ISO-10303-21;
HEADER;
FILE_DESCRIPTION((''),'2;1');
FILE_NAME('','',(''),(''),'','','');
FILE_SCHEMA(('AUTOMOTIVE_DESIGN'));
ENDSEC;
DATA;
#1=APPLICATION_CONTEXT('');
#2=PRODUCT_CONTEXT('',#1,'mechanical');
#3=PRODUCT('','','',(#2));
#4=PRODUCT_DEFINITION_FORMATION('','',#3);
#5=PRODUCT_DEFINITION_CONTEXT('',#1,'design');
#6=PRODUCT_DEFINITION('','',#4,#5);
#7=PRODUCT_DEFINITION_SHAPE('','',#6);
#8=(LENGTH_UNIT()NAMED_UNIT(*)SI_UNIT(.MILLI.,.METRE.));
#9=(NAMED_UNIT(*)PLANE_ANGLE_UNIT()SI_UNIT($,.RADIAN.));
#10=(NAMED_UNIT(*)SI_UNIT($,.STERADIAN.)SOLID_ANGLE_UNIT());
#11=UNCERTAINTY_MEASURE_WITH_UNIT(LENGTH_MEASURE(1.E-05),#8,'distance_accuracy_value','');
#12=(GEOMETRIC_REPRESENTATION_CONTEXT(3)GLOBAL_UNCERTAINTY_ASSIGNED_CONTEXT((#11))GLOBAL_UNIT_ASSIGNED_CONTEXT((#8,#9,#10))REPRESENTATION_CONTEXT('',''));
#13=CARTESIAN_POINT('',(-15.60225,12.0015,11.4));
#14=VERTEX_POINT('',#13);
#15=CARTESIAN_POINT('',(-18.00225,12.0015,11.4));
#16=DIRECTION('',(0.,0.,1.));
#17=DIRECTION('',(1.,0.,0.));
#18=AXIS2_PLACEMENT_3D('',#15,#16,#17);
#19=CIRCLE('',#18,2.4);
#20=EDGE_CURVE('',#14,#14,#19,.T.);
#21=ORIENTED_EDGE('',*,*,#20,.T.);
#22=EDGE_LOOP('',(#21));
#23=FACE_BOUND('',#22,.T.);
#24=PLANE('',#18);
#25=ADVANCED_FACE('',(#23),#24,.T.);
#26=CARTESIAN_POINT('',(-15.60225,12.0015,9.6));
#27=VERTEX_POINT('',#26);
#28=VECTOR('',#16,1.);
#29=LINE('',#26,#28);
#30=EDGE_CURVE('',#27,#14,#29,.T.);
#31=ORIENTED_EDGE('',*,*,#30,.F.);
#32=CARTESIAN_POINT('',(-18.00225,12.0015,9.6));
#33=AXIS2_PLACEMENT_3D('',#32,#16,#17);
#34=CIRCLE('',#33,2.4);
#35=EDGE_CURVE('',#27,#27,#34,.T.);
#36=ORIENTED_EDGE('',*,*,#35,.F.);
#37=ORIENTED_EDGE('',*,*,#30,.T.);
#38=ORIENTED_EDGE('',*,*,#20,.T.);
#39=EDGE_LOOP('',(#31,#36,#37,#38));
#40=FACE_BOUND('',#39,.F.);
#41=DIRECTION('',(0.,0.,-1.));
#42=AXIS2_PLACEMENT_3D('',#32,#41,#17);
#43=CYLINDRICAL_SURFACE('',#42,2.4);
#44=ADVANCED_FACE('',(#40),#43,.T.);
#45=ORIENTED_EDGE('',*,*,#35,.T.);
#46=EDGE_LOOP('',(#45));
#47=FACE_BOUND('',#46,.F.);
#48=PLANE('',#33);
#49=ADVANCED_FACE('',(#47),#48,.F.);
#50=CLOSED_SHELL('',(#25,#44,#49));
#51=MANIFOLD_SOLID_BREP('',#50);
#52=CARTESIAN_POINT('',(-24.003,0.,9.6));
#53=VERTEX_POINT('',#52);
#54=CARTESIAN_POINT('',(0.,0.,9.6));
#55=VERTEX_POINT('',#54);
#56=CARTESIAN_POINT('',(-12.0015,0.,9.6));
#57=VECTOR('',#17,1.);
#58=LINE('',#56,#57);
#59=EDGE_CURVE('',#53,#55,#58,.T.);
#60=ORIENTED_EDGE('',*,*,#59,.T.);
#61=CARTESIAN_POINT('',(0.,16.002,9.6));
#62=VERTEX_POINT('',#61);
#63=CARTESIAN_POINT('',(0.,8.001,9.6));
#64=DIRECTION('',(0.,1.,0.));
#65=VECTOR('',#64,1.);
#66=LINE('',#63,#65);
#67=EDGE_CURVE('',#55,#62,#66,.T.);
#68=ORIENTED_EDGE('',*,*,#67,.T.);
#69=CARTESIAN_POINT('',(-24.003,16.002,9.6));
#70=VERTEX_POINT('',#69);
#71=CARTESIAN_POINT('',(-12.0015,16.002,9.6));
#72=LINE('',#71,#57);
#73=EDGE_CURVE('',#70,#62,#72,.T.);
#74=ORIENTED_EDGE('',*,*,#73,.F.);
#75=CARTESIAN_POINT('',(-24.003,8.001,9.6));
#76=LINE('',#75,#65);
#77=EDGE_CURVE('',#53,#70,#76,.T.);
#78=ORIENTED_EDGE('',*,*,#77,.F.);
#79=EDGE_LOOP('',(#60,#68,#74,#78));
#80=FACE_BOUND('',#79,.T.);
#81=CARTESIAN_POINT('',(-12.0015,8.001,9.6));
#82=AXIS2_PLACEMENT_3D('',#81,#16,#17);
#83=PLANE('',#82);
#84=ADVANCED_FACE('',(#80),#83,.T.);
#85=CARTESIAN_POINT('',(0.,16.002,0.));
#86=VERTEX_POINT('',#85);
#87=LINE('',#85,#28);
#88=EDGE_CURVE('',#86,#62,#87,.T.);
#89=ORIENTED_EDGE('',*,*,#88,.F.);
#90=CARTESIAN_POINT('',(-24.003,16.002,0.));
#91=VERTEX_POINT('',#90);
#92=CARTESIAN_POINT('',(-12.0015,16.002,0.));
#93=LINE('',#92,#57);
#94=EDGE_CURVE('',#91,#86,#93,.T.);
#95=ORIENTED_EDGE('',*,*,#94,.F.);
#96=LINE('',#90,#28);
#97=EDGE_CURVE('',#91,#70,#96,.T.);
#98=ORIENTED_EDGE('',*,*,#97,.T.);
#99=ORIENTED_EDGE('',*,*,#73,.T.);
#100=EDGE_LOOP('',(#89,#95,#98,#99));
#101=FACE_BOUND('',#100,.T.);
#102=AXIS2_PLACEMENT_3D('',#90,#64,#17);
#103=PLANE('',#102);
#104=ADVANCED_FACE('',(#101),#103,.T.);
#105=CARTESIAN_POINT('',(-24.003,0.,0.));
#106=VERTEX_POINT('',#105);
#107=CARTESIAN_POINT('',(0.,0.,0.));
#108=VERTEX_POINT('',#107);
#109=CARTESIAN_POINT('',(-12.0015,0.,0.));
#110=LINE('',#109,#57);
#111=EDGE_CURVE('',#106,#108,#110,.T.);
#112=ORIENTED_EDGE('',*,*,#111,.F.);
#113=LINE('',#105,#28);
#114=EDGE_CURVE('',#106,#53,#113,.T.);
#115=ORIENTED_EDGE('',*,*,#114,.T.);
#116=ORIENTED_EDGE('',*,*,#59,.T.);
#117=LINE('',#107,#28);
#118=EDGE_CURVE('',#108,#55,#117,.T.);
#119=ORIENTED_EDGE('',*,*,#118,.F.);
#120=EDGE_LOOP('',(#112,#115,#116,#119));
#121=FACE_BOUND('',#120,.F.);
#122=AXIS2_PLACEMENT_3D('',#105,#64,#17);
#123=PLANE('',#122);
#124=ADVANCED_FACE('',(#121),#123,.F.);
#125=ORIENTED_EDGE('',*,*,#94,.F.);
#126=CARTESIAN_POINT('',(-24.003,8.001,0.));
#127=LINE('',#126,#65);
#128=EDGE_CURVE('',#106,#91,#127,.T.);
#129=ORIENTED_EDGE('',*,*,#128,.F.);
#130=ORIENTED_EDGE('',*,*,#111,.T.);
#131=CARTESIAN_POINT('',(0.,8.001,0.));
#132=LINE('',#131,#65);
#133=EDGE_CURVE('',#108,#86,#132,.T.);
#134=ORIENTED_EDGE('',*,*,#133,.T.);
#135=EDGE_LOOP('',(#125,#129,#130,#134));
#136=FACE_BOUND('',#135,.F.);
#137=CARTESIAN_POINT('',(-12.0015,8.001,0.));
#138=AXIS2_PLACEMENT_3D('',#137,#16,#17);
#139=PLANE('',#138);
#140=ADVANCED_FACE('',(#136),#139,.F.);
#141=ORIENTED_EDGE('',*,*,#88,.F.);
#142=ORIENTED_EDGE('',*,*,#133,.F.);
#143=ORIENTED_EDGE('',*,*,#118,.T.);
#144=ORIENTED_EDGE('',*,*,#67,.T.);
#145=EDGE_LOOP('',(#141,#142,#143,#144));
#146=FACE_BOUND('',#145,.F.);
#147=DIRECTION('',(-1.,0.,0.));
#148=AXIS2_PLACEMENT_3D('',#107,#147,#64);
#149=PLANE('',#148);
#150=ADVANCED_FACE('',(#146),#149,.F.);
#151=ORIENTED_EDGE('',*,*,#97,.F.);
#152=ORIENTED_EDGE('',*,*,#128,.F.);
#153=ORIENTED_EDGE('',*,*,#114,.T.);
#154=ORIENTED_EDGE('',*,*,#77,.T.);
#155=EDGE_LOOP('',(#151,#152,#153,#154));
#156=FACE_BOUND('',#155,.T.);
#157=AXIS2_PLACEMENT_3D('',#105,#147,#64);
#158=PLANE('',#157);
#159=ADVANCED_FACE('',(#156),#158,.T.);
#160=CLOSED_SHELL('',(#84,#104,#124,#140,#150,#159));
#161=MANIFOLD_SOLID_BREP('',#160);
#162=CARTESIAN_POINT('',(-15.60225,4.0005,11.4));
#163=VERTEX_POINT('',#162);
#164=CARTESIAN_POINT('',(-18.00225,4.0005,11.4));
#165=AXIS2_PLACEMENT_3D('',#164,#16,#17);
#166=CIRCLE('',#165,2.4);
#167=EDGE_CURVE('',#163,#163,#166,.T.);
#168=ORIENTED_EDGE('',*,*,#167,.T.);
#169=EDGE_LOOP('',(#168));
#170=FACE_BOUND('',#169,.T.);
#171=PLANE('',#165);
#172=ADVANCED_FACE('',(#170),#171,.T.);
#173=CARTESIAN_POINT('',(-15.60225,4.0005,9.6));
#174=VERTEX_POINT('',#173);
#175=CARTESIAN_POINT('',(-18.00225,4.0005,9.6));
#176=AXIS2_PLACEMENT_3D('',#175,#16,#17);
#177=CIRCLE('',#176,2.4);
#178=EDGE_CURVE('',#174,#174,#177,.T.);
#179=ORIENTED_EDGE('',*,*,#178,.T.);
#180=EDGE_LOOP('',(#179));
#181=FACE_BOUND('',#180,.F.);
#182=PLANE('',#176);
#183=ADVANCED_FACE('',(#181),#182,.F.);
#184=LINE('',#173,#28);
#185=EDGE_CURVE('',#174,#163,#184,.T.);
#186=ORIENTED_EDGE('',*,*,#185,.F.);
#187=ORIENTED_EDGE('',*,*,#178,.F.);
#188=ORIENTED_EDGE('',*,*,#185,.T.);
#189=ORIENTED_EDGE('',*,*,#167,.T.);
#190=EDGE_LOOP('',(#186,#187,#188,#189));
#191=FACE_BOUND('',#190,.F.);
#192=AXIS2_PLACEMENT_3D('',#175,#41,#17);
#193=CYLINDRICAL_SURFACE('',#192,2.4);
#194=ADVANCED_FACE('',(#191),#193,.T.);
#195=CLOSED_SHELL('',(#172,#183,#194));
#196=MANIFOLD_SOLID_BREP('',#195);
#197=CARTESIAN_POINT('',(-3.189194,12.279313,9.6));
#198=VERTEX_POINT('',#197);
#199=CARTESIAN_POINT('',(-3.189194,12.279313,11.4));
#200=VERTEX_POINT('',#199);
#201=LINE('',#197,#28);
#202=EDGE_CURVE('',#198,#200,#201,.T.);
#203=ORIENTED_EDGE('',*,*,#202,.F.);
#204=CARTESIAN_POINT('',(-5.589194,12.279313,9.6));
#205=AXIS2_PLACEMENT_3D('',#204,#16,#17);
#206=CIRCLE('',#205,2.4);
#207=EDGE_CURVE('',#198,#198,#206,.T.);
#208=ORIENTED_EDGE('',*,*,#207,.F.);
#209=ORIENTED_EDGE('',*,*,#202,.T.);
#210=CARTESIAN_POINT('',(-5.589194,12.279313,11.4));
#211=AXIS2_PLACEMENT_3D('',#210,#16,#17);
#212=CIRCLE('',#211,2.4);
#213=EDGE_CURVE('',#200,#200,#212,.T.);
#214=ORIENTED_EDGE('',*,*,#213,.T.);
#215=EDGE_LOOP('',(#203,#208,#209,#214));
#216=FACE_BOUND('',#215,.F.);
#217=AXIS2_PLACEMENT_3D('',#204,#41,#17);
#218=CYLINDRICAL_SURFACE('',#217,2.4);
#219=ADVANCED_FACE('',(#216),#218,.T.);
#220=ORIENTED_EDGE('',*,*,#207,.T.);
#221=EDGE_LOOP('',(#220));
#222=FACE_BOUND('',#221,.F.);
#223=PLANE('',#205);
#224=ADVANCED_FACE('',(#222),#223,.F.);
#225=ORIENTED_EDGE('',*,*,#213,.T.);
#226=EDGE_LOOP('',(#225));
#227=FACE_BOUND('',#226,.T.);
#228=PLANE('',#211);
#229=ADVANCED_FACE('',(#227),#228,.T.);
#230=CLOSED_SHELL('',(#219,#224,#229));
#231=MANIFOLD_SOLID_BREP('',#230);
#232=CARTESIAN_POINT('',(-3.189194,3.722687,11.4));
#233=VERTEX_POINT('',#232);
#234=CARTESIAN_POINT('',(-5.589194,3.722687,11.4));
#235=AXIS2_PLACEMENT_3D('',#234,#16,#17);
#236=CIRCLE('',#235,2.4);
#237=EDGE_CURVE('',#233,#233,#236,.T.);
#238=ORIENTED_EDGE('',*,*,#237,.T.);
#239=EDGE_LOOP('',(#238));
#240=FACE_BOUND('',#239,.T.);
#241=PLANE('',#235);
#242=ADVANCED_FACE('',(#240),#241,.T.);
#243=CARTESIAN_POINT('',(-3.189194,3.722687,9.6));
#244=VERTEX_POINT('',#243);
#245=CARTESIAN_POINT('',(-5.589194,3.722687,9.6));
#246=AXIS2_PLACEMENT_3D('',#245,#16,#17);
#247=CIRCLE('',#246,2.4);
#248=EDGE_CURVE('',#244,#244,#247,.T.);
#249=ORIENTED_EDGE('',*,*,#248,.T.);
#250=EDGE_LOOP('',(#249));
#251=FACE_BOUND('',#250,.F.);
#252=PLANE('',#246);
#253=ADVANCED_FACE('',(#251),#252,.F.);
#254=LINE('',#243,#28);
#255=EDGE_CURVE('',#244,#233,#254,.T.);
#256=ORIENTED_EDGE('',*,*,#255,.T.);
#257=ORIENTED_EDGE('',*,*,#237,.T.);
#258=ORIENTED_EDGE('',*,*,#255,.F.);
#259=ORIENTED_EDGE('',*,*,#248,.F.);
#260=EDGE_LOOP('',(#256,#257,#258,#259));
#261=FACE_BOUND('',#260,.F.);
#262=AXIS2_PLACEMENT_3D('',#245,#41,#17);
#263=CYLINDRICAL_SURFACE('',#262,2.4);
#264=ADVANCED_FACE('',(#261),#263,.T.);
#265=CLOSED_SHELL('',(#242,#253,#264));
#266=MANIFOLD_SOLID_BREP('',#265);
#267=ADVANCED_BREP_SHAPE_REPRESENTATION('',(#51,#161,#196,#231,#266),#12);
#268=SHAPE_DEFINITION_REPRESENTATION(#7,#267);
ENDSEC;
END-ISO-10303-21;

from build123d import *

# Parameters (mm, degrees)
F0_W     = 24.003
F0_H     = 16.002
F1_DEPTH = 9.6
F2_R     = 2.4
F3_DEPTH = 1.8


with BuildPart() as f1:
    # F0 (on Top) → F1 (new body)
    with BuildSketch(Plane.XY):
        with Locations((-12.0015, 8.001)):
            Rectangle(F0_W, F0_H)
    extrude(amount=F1_DEPTH)


with BuildPart() as f3:
    # F2 (on face) → F3 (new body)
    with BuildSketch(Plane.XY.offset(9.6)):
        with Locations((-18.00225, 12.0015)):
            Circle(F2_R)
        with Locations((-5.589194, 12.279313)):
            Circle(F2_R)
        with Locations((-18.00225, 4.0005)):
            Circle(F2_R)
        with Locations((-5.589194, 3.722687)):
            Circle(F2_R)
    extrude(amount=F3_DEPTH)


solid = Compound([f1.part, f3.part])
